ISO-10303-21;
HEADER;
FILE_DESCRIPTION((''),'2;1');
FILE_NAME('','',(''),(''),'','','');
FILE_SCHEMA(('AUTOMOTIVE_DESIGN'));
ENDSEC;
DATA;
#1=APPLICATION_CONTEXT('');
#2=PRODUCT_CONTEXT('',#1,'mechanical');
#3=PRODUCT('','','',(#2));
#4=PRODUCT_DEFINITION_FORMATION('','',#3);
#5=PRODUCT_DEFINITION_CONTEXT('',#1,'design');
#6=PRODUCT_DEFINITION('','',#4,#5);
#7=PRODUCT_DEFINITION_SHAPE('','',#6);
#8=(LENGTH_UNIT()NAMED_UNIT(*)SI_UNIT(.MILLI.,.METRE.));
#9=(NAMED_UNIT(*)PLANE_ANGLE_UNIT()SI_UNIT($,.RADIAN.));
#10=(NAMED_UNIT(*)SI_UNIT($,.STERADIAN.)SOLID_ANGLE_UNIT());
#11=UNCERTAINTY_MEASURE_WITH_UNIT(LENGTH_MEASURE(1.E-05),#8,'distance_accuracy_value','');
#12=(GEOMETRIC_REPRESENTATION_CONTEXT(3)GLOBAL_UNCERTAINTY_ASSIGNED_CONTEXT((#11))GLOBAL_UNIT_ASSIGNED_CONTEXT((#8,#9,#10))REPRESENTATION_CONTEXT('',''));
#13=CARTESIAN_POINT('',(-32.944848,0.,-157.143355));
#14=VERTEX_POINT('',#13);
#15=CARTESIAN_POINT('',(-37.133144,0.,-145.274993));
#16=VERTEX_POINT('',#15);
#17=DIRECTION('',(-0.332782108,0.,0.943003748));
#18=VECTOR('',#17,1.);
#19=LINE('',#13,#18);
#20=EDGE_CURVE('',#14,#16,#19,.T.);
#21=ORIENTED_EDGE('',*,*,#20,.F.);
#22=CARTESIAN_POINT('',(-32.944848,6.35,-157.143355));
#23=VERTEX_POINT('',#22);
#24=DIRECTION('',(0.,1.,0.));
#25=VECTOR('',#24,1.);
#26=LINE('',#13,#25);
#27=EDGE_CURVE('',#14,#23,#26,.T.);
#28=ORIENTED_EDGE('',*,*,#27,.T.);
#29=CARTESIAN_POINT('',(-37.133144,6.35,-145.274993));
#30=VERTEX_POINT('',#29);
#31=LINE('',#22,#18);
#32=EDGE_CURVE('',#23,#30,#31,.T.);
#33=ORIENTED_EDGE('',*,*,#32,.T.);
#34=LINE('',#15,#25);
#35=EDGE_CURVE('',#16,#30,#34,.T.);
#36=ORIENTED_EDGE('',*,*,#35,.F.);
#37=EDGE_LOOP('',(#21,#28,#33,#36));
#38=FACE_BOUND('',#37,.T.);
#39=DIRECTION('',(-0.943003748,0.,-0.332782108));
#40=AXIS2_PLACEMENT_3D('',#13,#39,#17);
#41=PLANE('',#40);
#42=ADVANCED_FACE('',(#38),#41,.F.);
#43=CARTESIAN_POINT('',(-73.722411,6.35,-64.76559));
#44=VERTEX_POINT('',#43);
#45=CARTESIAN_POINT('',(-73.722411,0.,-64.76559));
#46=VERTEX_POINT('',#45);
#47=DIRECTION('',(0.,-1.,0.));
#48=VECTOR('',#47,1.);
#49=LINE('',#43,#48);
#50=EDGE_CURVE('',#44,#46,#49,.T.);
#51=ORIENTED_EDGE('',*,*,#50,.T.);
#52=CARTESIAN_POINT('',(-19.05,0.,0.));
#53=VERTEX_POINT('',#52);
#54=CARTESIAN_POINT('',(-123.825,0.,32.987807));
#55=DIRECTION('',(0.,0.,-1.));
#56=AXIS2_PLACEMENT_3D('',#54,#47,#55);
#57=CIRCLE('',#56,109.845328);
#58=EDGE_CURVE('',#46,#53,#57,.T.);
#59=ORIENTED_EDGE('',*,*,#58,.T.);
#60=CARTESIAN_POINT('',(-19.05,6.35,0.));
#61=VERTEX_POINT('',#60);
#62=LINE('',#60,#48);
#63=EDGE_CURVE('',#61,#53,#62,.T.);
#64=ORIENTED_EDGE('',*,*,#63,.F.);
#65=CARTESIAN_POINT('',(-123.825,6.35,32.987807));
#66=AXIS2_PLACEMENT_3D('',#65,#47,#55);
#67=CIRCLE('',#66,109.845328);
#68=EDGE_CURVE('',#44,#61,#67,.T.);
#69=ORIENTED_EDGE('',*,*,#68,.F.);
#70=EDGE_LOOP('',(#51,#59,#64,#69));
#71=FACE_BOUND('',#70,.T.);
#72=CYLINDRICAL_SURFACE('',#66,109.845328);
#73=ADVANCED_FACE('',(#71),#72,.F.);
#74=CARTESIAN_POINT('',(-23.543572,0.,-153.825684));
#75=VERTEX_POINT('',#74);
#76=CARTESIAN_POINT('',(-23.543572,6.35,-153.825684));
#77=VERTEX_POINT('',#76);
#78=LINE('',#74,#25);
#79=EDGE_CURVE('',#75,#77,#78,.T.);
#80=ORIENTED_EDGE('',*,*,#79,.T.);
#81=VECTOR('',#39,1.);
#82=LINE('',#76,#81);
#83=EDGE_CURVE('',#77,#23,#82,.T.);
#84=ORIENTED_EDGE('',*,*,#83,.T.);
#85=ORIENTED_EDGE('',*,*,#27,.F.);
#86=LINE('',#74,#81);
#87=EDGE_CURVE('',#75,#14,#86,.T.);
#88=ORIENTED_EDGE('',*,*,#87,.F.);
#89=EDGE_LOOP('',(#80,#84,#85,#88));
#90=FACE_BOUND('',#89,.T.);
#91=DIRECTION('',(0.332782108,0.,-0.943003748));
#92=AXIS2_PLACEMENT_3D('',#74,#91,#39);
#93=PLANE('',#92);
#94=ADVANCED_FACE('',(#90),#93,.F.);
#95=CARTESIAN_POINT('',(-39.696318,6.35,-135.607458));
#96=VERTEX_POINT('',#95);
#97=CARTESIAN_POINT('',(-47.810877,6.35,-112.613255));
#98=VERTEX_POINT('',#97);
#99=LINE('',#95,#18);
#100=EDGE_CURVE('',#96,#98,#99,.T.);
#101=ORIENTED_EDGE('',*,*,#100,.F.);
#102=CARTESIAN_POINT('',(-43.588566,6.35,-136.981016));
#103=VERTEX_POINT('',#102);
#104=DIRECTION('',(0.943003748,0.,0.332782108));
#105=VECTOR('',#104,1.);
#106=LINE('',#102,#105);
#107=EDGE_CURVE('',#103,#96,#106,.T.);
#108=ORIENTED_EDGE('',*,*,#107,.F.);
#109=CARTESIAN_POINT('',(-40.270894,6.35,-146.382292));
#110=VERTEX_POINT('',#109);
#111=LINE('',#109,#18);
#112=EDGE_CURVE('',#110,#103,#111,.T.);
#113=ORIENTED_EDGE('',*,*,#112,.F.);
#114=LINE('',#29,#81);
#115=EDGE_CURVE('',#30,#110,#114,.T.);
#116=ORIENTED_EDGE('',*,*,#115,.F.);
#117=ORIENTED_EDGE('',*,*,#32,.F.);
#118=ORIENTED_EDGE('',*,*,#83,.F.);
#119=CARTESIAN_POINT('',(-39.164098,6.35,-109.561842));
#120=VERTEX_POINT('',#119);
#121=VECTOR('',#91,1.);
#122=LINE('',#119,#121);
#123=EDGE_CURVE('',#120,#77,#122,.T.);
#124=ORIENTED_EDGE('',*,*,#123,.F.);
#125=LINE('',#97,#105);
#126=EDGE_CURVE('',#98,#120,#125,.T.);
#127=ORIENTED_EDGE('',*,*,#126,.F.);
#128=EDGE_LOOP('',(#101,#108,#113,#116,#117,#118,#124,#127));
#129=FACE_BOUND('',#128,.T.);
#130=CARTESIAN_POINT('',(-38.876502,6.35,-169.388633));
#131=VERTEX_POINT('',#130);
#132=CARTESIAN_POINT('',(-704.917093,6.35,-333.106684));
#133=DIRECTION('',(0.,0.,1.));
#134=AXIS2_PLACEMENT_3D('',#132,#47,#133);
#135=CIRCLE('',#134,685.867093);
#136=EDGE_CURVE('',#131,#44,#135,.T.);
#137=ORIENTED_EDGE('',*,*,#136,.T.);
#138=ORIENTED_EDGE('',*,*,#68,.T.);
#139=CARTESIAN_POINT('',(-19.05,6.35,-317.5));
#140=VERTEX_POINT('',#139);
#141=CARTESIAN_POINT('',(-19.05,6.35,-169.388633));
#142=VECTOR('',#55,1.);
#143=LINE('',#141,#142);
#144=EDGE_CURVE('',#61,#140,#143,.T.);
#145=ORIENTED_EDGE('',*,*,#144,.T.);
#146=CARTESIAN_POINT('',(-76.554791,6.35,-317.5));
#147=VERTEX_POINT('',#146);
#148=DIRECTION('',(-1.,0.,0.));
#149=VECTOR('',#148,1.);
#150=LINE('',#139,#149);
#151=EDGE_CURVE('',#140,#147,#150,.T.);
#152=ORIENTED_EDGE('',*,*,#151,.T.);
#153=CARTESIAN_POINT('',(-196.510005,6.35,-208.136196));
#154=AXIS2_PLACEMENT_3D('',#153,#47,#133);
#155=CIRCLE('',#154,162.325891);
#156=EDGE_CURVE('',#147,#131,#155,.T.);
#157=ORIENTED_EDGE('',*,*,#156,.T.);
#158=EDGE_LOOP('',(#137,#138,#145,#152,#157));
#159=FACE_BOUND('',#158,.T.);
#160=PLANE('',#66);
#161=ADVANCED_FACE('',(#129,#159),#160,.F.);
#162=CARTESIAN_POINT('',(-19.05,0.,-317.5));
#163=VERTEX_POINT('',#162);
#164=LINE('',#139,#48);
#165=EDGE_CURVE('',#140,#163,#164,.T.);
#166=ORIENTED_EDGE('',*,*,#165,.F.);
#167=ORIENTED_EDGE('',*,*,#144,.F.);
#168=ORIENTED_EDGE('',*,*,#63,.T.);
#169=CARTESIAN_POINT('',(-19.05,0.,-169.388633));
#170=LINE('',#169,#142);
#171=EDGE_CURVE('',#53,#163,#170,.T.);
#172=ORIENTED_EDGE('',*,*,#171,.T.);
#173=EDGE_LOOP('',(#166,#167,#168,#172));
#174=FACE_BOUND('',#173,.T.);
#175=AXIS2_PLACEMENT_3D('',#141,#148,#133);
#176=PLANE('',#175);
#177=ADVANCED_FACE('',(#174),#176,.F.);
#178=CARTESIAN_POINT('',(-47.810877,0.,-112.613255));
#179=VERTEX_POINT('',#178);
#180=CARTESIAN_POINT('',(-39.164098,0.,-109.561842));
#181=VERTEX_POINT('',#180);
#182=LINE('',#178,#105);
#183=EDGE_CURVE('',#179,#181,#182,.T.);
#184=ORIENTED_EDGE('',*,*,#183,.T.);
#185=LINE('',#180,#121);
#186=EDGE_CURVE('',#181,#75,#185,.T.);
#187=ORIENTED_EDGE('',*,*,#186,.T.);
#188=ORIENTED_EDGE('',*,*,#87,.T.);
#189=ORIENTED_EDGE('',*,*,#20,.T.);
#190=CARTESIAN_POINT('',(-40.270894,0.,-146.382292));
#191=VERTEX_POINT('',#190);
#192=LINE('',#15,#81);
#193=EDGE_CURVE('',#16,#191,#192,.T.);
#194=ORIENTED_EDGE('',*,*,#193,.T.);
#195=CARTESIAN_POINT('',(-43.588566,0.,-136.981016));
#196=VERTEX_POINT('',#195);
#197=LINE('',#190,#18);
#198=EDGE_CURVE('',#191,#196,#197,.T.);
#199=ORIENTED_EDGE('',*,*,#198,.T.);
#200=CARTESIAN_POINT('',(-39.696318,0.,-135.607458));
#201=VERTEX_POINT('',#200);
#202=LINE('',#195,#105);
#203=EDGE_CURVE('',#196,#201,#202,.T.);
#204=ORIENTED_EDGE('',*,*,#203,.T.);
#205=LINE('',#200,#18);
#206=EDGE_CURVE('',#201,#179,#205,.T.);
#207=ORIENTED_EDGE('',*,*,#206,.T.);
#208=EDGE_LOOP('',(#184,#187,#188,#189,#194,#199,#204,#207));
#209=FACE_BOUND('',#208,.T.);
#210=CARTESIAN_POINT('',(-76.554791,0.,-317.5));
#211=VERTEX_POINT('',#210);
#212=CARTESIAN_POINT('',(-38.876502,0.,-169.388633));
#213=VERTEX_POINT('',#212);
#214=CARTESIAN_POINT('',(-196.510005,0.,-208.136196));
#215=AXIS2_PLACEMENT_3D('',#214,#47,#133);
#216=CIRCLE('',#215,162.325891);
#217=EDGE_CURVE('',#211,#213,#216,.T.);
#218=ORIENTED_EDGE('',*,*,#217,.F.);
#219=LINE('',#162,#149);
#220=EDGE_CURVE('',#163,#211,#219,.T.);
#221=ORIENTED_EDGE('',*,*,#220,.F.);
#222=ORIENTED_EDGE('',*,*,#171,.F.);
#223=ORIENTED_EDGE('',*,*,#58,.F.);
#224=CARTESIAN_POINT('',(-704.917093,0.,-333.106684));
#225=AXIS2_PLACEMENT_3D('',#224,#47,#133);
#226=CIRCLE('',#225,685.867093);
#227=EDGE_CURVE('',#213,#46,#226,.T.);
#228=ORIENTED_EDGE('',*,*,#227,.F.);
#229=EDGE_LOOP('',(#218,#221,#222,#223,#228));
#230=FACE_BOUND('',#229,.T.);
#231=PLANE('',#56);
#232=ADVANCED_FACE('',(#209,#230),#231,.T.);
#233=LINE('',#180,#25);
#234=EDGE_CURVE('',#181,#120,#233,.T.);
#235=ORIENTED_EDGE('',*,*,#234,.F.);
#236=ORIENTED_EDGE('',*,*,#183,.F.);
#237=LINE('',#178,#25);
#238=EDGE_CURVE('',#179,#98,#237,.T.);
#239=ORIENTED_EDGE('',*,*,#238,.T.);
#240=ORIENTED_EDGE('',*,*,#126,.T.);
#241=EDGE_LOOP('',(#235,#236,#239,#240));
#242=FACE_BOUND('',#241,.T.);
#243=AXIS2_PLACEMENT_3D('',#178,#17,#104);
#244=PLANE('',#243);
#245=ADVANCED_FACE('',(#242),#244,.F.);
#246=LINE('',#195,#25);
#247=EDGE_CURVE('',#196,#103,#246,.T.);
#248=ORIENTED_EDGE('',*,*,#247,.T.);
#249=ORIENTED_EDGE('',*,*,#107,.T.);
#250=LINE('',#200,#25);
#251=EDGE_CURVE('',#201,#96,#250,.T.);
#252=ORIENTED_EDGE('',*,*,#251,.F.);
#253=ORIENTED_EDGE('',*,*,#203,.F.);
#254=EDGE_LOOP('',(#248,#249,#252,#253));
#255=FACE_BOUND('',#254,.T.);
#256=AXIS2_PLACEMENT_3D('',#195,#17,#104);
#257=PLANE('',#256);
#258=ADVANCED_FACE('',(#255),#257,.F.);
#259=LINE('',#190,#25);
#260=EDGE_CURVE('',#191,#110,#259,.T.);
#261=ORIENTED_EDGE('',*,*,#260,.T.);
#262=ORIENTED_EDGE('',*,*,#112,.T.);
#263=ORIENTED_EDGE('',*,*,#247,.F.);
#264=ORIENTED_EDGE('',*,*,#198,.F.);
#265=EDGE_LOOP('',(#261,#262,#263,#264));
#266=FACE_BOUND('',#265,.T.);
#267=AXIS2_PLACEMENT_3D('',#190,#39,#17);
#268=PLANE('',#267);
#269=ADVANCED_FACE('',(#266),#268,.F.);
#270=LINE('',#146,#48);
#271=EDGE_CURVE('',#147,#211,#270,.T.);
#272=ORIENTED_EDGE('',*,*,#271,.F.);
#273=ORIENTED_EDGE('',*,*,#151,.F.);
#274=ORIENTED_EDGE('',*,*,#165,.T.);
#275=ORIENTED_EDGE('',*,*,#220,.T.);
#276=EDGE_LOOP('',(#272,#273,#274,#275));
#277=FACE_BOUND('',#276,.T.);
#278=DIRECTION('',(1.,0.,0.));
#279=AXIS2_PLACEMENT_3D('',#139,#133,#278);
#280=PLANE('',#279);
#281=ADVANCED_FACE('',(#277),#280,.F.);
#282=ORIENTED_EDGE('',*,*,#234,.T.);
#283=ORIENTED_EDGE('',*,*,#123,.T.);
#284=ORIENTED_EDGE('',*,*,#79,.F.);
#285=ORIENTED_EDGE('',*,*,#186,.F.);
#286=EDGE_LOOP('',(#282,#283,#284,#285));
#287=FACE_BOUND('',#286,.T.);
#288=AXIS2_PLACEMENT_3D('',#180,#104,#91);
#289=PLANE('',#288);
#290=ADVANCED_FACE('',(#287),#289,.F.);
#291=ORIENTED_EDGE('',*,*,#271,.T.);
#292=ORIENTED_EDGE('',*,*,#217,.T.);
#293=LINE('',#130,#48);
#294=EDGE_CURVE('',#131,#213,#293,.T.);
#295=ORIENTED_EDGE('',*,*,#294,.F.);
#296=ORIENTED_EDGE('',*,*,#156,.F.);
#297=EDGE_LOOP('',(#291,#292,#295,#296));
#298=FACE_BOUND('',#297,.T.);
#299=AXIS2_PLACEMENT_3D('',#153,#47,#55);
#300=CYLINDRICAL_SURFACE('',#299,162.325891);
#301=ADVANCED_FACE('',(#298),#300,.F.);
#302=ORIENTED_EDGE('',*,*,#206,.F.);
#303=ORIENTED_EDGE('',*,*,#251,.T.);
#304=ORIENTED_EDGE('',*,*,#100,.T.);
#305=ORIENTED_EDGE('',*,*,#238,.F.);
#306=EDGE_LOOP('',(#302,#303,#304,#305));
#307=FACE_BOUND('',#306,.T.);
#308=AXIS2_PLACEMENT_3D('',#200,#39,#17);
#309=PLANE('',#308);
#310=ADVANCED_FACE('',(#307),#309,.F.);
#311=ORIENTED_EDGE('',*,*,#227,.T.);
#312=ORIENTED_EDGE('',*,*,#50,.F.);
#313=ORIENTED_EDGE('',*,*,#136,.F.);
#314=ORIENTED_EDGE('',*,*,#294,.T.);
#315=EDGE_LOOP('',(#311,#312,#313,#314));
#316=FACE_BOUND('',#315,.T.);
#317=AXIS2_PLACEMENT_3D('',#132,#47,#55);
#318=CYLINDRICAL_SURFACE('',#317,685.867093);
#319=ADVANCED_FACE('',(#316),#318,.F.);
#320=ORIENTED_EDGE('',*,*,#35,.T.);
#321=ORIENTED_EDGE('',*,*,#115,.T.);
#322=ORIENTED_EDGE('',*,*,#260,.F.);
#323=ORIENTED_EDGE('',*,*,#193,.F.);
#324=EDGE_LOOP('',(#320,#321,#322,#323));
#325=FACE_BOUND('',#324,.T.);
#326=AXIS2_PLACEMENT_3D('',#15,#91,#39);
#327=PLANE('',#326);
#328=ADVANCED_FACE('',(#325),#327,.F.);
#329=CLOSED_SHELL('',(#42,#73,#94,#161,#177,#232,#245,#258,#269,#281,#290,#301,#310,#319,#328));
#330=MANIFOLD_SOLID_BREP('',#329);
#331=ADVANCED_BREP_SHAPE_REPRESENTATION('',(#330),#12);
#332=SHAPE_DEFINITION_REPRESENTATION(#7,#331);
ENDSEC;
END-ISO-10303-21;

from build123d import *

# Parameters (mm, degrees)
BOSS_EXTRUDE1_DEPTH = 6.35
SKETCH3_W           = 19.05
SKETCH3_H           = 169.388632852
CUT_EXTRUDE3_DEPTH  = 327.660693329
CUT_EXTRUDE2_DEPTH  = 327.660693329


with BuildPart() as part:
    # Sketch1 → Boss-Extrude1 (new body)
    with BuildSketch(Plane(origin=(0, 0, 0), x_dir=(1, 0, 0), z_dir=(0, 1, 0))):
        with BuildLine():
            Line((0, 169.388632852), (0, 0))
            Line((0, 0), (-19.05, 0))
            ThreePointArc((-19.05, 0), (-39.88804557, 37.868270719), (-73.722410895, 64.765590165))
            ThreePointArc((-73.722410895, 64.765590165), (-54.193392954, 116.375662835), (-38.876501861, 169.388632852))
            ThreePointArc((-38.876501861, 169.388632852), (-39.194658591, 248.155900408), (-76.554791267, 317.5))
            Line((-76.554791267, 317.5), (-19.05, 317.5))
            Line((-19.05, 317.5), (-19.05, 169.388632852))
            Line((-19.05, 169.388632852), (0, 169.388632852))
        make_face()
    extrude(amount=BOSS_EXTRUDE1_DEPTH)

    # Sketch3 → Cut-Extrude3 (cut, through all)
    with BuildSketch(Plane(origin=(0, 6.35, 0), x_dir=(1, 0, 0), z_dir=(0, 1, 0))):
        with Locations((-9.525, 84.694316426)):
            Rectangle(SKETCH3_W, SKETCH3_H)
    extrude(amount=-CUT_EXTRUDE3_DEPTH, mode=Mode.SUBTRACT)

    # Sketch2 → Cut-Extrude2 (cut, through all)
    with BuildSketch(Plane(origin=(0, 6.35, 0), x_dir=(1, 0, 0), z_dir=(0, 1, 0))):
        Polygon((-39.164098049, 109.561842364), (-23.543572116, 153.825683885), (-32.944847981, 157.143355113), (-37.133143759, 145.274992843), (-40.27089443, 146.38229203), (-43.588565658, 136.981016166), (-39.696317688, 135.607458014), (-47.810876614, 112.613254626), align=None)
    extrude(amount=-CUT_EXTRUDE2_DEPTH, mode=Mode.SUBTRACT)


solid = part.part
